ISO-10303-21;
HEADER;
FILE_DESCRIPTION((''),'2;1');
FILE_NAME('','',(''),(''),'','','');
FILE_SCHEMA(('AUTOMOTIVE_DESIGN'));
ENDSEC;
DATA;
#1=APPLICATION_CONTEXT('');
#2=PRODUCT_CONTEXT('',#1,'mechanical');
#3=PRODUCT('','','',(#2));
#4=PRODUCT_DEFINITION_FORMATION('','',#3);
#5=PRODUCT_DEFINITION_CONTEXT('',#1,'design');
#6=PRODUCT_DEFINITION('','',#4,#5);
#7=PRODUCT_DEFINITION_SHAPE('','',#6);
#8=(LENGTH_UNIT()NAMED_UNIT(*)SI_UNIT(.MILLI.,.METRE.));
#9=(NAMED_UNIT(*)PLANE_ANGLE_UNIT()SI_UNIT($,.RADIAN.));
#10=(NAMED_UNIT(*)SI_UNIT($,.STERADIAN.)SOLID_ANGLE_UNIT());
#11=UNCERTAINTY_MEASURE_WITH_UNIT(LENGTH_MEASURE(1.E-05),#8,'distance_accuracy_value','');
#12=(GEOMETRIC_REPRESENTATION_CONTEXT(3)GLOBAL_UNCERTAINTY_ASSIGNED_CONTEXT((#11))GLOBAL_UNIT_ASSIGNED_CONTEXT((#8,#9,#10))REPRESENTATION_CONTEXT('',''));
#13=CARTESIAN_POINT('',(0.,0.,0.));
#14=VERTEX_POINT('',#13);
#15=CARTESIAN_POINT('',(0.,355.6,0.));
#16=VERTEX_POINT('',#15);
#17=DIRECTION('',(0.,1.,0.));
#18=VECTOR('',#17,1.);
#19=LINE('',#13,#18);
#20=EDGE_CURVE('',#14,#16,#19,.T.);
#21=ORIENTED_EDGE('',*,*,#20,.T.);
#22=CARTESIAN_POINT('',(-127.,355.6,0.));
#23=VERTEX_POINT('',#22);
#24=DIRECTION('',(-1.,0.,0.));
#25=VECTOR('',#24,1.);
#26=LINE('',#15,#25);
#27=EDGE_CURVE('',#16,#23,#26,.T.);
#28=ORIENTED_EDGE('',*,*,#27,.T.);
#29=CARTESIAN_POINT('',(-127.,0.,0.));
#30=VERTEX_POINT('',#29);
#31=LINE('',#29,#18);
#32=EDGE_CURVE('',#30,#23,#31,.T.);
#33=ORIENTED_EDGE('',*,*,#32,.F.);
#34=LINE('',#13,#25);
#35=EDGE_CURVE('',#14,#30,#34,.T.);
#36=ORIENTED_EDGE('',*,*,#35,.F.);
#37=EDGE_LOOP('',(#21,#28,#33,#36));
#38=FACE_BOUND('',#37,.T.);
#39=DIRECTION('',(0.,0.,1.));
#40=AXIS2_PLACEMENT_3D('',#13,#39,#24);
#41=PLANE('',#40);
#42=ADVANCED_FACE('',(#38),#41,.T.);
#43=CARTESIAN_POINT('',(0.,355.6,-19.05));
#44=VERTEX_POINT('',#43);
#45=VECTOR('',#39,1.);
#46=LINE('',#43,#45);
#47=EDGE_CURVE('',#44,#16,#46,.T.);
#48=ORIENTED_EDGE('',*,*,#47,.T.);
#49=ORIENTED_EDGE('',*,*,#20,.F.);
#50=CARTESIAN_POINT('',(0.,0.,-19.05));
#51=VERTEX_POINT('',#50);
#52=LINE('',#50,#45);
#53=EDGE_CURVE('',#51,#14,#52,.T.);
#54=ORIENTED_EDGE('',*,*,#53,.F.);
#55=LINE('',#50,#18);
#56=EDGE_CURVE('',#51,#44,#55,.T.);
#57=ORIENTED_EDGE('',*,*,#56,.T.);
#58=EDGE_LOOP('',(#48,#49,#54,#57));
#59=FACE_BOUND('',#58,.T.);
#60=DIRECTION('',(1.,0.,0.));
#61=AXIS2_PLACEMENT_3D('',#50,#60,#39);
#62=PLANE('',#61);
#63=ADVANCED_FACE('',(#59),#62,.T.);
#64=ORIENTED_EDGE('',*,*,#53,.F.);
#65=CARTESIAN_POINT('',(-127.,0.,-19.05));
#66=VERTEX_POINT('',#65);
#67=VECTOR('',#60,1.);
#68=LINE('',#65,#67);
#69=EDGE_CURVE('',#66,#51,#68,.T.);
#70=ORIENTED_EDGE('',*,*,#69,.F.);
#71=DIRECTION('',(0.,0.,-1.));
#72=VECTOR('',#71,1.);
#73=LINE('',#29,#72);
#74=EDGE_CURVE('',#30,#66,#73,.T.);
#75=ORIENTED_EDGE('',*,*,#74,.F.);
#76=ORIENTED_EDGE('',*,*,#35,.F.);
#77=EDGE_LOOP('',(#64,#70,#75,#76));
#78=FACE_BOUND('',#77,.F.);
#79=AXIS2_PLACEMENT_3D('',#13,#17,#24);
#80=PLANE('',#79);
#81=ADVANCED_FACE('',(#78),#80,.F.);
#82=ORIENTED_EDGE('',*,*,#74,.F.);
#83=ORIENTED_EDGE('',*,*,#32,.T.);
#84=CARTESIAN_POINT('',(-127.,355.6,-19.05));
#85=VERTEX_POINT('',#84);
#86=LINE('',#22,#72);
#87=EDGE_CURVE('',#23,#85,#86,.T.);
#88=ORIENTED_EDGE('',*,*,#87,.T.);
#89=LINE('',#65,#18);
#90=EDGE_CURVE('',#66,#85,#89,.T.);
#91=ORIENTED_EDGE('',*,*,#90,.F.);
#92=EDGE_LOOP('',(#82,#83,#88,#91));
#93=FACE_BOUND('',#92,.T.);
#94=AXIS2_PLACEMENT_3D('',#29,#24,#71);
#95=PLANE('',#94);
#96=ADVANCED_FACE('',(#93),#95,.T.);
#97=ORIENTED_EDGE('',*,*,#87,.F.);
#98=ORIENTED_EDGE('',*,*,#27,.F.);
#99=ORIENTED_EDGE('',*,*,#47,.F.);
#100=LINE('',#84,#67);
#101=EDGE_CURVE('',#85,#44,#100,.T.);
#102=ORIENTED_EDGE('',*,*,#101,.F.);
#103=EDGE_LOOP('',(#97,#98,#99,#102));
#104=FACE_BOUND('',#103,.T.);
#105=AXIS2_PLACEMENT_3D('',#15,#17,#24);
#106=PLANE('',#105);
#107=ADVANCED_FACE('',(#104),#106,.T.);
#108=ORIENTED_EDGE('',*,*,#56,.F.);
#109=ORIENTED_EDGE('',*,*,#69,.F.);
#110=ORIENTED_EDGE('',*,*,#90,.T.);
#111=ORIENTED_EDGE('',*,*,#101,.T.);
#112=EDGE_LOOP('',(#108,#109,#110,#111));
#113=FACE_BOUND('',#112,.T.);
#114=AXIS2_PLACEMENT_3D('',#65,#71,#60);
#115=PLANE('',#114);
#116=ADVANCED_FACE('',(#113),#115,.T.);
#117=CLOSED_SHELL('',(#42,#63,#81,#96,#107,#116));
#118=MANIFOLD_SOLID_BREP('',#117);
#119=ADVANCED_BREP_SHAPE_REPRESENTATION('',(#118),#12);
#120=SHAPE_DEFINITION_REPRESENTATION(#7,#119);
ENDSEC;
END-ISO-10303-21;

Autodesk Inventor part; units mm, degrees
ref_plane "YZ Plane" through (0, 0, 0) normal (1, 0, 0) x (0, 1, 0)
ref_plane "XZ Plane" through (0, 0, 0) normal (0, 1, 0) x (-1, 0, 0)
ref_plane "XY Plane" through (0, 0, 0) normal (0, 0, 1) x (1, 0, 0)
sketch "Sketch1" plane through (0, 0, 0) normal (0, 1, 0) x (-1, 0, 0)
  line L0 (0, 0) -> (127, 0)
  line L1 (127, 0) -> (127, -19.05)
  line L2 (127, -19.05) -> (0, -19.05)
  line L3 (0, -19.05) -> (0, 0)
  dimension "d0" = 127
  dimension "d1" = 19.05
extrude "Extrusion1" add sketch "Sketch1" along normal blind 355.6
properties part number "BumberFront.ver1-1111-2020"
